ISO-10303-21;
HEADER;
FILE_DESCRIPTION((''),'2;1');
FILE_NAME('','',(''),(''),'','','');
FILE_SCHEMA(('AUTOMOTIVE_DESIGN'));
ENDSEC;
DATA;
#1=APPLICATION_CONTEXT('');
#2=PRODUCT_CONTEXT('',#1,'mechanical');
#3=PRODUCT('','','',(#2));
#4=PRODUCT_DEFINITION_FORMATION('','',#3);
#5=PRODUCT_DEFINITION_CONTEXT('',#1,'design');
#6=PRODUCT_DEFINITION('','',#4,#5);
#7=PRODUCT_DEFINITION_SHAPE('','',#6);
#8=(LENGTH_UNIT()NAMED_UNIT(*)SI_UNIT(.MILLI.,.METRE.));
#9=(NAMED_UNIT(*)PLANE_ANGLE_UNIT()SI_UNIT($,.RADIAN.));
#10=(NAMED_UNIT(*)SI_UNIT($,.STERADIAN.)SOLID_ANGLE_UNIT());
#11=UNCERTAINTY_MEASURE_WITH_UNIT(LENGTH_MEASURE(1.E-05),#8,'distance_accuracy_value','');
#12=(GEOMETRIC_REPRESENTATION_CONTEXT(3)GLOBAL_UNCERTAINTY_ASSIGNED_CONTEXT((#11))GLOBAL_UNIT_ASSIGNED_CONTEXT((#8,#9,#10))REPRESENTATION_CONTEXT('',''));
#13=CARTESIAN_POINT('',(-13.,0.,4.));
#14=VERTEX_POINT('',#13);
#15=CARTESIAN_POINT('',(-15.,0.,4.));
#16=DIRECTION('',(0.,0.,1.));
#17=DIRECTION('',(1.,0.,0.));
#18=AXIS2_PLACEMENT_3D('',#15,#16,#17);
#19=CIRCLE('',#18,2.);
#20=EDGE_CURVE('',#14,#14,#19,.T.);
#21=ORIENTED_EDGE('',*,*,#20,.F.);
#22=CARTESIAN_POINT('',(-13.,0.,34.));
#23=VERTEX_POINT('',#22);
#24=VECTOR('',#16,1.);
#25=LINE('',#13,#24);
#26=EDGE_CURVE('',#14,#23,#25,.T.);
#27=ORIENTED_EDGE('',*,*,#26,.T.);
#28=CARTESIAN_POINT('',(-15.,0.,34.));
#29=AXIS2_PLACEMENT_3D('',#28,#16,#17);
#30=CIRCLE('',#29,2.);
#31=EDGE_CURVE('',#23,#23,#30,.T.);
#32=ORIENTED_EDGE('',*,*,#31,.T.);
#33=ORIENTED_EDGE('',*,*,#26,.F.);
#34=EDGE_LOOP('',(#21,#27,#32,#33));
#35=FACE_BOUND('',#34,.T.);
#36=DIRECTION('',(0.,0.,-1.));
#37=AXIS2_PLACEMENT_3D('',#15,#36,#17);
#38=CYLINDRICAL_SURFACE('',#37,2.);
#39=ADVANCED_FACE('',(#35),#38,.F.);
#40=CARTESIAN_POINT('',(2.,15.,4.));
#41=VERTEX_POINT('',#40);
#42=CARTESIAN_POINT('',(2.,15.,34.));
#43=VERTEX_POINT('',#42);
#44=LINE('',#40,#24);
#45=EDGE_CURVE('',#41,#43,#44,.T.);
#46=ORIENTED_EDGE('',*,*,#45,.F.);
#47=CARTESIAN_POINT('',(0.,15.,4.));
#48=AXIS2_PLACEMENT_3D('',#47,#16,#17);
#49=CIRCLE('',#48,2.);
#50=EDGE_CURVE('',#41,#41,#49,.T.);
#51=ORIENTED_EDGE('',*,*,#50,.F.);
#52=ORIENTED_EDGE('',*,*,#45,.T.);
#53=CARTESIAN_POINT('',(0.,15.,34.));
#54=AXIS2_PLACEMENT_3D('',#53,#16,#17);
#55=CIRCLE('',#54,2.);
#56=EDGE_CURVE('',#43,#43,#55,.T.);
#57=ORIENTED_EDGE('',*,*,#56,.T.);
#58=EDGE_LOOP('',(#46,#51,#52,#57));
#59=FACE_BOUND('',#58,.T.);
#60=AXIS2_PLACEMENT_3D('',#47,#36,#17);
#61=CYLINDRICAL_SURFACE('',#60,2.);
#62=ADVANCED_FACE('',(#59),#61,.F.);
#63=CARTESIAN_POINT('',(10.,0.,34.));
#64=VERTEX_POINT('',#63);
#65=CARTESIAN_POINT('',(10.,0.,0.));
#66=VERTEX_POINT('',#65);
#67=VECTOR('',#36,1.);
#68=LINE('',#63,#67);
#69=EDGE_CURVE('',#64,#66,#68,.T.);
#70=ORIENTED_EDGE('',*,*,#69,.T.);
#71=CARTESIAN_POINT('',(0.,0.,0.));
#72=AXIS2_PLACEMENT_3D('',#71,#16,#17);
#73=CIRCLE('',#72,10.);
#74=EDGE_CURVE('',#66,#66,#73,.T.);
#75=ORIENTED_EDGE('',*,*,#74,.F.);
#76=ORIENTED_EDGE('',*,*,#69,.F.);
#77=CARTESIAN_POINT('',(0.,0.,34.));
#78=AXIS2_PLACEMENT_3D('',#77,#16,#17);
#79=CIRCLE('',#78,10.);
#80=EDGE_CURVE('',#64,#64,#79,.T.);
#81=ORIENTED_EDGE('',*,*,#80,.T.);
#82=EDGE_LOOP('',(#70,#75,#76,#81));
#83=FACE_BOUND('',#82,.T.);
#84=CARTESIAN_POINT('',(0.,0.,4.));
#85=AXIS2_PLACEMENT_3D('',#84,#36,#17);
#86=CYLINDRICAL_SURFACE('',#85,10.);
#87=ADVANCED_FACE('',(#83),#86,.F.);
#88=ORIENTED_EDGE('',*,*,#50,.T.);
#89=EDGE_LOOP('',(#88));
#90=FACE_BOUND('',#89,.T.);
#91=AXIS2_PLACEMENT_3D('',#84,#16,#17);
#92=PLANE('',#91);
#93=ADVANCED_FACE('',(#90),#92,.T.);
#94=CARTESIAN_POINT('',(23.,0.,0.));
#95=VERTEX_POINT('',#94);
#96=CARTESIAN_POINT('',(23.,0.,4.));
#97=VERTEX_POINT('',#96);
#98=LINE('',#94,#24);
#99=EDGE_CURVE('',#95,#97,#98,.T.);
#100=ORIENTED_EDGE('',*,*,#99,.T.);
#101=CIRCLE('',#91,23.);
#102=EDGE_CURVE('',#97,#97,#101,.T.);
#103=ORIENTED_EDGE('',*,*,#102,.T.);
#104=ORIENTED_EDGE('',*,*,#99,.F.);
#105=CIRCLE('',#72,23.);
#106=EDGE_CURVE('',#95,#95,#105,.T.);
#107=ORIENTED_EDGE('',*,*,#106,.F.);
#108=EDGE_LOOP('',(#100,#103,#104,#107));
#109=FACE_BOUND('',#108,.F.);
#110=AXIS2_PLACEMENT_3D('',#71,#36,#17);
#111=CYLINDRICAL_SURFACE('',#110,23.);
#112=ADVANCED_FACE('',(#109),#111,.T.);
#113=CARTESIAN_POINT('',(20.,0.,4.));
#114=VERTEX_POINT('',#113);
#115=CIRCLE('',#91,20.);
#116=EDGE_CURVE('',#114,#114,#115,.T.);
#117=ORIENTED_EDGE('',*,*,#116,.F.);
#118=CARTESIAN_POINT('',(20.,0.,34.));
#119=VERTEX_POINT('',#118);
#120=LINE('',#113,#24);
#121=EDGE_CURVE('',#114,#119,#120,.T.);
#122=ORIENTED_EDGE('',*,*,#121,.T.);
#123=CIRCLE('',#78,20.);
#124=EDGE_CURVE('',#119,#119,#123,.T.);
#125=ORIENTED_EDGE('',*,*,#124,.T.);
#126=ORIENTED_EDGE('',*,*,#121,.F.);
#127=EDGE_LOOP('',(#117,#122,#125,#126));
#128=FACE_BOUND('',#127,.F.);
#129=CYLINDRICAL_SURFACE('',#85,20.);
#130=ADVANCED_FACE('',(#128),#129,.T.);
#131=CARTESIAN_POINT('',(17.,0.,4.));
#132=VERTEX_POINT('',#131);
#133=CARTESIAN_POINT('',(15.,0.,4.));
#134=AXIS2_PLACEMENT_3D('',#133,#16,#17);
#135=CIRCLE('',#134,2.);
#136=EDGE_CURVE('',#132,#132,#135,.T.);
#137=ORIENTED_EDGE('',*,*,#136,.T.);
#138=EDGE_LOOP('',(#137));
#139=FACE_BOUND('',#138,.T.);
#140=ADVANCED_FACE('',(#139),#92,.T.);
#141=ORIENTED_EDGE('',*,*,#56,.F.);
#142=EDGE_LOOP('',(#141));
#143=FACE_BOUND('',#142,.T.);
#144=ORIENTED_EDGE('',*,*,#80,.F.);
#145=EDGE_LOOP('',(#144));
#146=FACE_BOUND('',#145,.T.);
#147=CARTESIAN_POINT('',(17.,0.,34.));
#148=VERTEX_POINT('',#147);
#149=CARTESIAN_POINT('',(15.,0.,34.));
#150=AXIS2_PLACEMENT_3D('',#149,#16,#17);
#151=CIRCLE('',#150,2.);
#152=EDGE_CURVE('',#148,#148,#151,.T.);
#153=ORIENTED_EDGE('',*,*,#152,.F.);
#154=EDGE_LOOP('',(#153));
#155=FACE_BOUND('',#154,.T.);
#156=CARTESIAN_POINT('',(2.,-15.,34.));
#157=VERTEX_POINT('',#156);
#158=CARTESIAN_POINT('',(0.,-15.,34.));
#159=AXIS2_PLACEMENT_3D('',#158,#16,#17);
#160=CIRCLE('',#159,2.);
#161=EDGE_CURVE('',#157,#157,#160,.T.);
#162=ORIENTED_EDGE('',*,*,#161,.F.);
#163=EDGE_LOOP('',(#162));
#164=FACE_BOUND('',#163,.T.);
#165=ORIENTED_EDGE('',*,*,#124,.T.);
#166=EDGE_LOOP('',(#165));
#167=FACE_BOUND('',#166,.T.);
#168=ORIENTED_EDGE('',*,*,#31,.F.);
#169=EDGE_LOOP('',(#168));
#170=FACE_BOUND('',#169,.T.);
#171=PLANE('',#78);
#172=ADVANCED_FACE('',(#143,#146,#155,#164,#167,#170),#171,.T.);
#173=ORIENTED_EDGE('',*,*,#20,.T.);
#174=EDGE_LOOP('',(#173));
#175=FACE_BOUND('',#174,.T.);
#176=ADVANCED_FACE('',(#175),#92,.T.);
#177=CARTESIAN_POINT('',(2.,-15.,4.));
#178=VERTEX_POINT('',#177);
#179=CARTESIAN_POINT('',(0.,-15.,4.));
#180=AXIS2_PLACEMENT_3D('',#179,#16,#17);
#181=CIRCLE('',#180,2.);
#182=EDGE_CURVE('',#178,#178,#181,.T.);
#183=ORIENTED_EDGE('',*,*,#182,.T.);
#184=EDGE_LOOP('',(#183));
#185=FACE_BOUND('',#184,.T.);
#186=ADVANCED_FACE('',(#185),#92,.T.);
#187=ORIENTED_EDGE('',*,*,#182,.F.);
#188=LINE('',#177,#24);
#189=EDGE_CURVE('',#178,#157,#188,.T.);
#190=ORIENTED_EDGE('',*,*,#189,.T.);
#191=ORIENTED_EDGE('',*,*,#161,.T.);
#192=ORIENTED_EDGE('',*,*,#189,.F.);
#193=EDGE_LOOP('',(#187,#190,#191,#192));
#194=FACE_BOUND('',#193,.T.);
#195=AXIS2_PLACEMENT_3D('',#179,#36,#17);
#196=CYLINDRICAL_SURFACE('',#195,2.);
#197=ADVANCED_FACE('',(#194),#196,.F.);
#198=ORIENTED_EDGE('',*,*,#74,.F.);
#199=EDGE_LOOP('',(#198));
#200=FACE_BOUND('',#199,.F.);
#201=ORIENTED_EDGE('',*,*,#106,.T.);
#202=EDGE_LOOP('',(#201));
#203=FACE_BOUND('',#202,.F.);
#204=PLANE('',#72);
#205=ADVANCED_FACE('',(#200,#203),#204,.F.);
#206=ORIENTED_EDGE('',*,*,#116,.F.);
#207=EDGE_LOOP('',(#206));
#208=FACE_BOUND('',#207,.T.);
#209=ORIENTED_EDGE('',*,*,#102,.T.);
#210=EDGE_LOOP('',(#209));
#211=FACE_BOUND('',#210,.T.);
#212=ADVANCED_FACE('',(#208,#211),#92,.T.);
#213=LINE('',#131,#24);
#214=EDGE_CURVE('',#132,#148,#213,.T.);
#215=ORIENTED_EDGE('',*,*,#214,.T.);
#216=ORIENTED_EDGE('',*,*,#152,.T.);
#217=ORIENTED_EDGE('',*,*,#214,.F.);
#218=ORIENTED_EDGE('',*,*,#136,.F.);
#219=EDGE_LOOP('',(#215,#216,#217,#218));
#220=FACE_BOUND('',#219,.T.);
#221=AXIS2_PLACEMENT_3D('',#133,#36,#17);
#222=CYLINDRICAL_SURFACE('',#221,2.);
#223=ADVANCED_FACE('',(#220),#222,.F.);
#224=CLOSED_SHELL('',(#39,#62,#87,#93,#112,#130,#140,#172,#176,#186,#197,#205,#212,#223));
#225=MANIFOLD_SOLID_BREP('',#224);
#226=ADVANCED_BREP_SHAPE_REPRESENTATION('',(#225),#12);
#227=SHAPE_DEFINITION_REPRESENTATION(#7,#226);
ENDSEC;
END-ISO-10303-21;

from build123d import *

# Parameters (mm, degrees)
SKETCH1_R           = 23
SKETCH1_R_2         = 10
BOSS_EXTRUDE1_DEPTH = 4
SKETCH2_R           = 20
SKETCH2_R_2         = 10
SKETCH2_R_3         = 2
BOSS_EXTRUDE2_DEPTH = 30


with BuildPart() as part:
    # Sketch1 → Boss-Extrude1 (new body)
    with BuildSketch(Plane.XY):
        Circle(SKETCH1_R)
        Circle(SKETCH1_R_2, mode=Mode.SUBTRACT)
    extrude(amount=BOSS_EXTRUDE1_DEPTH)

    # Sketch2 → Boss-Extrude2 (add)
    with BuildSketch(Plane.XY.offset(4)):
        Circle(SKETCH2_R)
        Circle(SKETCH2_R_2, mode=Mode.SUBTRACT)
        with Locations((0, 15)):
            Circle(SKETCH2_R_3, mode=Mode.SUBTRACT)
        with Locations((15, 0)):
            Circle(SKETCH2_R_3, mode=Mode.SUBTRACT)
        with Locations((0, -15)):
            Circle(SKETCH2_R_3, mode=Mode.SUBTRACT)
        with Locations((-15, 0)):
            Circle(SKETCH2_R_3, mode=Mode.SUBTRACT)
    extrude(amount=BOSS_EXTRUDE2_DEPTH)


solid = part.part
